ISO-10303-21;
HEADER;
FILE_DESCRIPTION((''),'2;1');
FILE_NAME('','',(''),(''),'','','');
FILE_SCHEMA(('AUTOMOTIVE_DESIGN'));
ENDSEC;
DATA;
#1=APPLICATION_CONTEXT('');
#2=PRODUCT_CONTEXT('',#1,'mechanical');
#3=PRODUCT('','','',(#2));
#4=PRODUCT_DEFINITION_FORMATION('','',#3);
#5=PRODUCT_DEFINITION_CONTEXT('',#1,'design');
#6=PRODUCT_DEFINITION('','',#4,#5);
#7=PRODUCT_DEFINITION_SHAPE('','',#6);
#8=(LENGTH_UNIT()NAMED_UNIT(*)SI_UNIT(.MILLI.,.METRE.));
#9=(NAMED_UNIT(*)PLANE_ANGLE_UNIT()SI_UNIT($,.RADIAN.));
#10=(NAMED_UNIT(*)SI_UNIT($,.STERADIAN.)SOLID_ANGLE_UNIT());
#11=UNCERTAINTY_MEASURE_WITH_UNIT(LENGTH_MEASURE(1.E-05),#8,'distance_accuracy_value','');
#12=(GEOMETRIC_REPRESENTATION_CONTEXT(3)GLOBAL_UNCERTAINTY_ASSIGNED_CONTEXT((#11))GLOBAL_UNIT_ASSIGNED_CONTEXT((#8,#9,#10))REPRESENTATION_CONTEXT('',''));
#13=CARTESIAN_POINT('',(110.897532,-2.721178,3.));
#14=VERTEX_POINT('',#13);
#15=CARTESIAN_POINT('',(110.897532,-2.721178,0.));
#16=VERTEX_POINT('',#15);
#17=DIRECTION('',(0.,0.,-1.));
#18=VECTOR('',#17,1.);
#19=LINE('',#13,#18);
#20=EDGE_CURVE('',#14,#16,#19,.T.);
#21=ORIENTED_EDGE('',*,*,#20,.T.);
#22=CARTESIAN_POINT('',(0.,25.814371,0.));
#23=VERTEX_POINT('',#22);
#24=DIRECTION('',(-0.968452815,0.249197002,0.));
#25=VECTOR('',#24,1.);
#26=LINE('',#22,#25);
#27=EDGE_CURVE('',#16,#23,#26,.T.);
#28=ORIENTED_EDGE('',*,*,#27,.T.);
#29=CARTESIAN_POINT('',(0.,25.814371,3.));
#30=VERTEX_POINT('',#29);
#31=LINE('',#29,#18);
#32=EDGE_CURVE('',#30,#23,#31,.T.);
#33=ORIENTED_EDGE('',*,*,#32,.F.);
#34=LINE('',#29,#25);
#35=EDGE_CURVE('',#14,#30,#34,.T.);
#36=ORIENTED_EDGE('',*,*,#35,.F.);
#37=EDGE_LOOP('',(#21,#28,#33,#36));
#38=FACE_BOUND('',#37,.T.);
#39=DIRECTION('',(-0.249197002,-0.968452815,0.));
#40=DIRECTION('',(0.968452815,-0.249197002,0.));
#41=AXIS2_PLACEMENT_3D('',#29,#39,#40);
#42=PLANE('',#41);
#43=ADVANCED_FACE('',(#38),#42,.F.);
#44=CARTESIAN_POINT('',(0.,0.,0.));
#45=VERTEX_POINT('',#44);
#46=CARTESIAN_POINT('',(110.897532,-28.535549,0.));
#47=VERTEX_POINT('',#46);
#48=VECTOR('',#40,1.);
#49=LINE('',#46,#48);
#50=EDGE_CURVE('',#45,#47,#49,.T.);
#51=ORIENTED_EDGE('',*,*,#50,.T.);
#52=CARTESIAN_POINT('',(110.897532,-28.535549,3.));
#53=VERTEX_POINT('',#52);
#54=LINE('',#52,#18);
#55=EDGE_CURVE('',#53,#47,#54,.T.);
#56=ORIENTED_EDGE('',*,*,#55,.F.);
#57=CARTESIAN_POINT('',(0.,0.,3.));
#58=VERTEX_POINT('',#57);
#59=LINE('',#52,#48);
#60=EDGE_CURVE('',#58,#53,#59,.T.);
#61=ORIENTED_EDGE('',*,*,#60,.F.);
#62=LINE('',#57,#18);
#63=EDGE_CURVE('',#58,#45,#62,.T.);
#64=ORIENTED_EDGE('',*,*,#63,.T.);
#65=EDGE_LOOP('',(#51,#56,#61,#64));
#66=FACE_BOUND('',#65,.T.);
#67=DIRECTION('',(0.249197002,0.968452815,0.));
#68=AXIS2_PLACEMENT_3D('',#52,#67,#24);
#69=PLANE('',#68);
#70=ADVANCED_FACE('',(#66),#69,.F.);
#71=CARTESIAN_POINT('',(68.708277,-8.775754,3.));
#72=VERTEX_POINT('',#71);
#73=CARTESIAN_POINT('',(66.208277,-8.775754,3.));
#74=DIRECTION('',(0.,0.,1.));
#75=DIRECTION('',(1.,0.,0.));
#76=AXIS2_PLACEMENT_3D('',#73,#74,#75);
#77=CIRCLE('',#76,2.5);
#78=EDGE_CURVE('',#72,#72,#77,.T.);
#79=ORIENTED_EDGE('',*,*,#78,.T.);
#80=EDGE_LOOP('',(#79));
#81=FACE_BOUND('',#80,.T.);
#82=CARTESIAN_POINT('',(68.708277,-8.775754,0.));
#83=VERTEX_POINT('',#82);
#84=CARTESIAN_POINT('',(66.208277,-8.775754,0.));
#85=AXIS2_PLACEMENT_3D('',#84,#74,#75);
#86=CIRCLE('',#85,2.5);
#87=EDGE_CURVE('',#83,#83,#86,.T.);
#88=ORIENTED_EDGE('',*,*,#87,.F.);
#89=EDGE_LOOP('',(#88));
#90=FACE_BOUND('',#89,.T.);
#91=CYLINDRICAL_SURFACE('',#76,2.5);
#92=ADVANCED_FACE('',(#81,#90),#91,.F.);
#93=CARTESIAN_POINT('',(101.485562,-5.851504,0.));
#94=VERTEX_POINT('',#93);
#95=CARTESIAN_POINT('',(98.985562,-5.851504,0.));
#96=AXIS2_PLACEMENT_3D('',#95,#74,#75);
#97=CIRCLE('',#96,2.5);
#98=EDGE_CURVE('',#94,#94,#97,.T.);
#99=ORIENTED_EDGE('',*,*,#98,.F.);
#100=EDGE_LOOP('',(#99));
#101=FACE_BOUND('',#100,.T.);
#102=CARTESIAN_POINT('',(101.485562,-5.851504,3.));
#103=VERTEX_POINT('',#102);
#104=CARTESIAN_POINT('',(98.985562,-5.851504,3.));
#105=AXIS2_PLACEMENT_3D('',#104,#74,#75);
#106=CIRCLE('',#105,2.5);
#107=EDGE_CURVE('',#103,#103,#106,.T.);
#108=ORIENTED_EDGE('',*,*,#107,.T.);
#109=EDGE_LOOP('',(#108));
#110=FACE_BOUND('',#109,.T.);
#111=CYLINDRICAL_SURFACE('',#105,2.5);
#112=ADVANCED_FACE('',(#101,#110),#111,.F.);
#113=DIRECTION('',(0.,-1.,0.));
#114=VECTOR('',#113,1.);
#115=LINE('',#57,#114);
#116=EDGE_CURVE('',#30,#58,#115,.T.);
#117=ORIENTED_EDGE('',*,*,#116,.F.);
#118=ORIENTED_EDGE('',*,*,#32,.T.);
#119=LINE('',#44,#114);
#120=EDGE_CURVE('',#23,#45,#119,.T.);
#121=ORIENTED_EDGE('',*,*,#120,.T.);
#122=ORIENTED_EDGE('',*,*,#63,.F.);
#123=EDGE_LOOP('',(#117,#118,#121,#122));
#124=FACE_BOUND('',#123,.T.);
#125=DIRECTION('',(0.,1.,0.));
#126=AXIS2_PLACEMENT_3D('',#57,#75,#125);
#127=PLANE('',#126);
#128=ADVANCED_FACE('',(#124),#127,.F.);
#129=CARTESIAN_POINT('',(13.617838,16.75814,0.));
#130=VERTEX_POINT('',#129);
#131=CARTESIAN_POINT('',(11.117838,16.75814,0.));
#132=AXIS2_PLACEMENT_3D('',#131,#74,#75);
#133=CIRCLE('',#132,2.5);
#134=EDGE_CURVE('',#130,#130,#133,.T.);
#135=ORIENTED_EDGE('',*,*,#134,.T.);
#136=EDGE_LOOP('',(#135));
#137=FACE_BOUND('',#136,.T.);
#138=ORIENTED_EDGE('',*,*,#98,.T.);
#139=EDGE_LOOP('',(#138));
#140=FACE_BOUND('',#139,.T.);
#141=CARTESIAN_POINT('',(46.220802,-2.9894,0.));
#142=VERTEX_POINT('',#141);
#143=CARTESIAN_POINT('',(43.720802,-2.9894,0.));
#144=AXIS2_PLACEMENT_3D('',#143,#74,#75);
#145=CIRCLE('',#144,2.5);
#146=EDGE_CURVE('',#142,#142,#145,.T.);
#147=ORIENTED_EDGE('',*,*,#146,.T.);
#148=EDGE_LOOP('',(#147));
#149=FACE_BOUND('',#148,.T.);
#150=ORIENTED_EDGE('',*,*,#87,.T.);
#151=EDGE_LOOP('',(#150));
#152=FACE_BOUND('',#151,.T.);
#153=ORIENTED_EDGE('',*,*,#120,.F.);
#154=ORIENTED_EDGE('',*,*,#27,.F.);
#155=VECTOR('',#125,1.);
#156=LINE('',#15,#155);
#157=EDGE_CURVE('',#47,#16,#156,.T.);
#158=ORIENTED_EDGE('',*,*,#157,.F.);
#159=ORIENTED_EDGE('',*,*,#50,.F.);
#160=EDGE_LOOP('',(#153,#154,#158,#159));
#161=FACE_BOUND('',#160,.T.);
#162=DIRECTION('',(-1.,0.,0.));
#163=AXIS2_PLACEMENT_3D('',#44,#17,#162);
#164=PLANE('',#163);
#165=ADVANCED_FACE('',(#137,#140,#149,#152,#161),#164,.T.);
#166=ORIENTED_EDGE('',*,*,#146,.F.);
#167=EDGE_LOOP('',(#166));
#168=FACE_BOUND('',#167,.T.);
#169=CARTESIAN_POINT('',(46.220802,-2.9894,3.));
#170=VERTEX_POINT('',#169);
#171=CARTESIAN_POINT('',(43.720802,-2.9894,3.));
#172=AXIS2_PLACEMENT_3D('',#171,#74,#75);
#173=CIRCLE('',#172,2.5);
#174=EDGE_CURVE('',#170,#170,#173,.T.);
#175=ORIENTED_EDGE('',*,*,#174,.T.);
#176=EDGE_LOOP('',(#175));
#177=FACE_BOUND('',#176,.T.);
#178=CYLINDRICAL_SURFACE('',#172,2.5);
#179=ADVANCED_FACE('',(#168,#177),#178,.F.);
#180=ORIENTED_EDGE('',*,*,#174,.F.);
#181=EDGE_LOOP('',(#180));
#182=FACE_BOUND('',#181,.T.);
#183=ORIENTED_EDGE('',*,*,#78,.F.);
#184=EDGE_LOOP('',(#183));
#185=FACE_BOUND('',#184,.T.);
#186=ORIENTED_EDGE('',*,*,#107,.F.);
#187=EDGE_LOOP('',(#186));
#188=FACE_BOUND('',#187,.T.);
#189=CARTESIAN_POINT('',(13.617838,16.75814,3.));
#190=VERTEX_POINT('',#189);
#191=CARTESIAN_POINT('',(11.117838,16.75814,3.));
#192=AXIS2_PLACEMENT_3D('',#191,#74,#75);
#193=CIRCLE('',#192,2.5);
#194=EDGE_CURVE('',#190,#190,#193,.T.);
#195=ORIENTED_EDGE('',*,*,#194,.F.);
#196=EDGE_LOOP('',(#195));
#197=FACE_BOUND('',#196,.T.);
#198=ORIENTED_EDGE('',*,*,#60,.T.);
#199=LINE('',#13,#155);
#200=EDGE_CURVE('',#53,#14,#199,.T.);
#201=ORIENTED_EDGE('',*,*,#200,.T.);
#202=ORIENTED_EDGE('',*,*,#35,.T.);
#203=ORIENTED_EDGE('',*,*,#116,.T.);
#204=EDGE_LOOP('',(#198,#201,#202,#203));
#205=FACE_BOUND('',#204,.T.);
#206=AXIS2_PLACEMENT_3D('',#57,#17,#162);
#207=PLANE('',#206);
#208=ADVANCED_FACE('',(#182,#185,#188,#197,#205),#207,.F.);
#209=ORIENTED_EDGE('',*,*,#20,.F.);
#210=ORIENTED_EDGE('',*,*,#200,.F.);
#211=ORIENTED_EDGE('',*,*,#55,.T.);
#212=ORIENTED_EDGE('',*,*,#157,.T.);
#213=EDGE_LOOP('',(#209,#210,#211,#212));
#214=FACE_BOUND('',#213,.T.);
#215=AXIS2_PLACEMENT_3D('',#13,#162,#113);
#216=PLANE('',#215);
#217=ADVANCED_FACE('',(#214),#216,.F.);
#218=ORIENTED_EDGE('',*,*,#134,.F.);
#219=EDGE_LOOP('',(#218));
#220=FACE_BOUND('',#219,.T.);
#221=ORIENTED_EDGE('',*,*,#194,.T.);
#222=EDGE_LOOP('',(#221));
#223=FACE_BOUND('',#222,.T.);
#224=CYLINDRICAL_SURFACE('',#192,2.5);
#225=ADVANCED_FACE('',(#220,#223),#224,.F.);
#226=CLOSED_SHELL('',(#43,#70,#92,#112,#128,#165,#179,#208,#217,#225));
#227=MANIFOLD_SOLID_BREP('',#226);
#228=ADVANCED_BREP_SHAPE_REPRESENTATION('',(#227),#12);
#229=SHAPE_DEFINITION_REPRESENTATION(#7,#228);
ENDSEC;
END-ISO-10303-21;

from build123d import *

# Parameters (mm, degrees)
RESSALTO_EXTRUS_O1_DEPTH                = 3
BROCA_DE_ROSQUEAR_PARA_TARRAXA_DE_M61_D = 5


with BuildPart() as part:
    # Esboço1 → Ressalto-extrusão1 (new body)
    with BuildSketch(Plane.XY):
        Polygon((0, 0), (0, 25.814370739), (110.897531805, -2.721177961), (110.897531805, -28.5355487), align=None)
    extrude(amount=RESSALTO_EXTRUS_O1_DEPTH)

    # Broca de rosquear para tarraxa de M61 (through all)
    with Locations(Plane.XY.offset(3)):
        with Locations((11.117838312, 16.758140178), (43.720802317, -2.989400019), (66.208276673, -8.775754406), (98.985562185, -5.851503814)):
            Hole(BROCA_DE_ROSQUEAR_PARA_TARRAXA_DE_M61_D / 2)


solid = part.part
